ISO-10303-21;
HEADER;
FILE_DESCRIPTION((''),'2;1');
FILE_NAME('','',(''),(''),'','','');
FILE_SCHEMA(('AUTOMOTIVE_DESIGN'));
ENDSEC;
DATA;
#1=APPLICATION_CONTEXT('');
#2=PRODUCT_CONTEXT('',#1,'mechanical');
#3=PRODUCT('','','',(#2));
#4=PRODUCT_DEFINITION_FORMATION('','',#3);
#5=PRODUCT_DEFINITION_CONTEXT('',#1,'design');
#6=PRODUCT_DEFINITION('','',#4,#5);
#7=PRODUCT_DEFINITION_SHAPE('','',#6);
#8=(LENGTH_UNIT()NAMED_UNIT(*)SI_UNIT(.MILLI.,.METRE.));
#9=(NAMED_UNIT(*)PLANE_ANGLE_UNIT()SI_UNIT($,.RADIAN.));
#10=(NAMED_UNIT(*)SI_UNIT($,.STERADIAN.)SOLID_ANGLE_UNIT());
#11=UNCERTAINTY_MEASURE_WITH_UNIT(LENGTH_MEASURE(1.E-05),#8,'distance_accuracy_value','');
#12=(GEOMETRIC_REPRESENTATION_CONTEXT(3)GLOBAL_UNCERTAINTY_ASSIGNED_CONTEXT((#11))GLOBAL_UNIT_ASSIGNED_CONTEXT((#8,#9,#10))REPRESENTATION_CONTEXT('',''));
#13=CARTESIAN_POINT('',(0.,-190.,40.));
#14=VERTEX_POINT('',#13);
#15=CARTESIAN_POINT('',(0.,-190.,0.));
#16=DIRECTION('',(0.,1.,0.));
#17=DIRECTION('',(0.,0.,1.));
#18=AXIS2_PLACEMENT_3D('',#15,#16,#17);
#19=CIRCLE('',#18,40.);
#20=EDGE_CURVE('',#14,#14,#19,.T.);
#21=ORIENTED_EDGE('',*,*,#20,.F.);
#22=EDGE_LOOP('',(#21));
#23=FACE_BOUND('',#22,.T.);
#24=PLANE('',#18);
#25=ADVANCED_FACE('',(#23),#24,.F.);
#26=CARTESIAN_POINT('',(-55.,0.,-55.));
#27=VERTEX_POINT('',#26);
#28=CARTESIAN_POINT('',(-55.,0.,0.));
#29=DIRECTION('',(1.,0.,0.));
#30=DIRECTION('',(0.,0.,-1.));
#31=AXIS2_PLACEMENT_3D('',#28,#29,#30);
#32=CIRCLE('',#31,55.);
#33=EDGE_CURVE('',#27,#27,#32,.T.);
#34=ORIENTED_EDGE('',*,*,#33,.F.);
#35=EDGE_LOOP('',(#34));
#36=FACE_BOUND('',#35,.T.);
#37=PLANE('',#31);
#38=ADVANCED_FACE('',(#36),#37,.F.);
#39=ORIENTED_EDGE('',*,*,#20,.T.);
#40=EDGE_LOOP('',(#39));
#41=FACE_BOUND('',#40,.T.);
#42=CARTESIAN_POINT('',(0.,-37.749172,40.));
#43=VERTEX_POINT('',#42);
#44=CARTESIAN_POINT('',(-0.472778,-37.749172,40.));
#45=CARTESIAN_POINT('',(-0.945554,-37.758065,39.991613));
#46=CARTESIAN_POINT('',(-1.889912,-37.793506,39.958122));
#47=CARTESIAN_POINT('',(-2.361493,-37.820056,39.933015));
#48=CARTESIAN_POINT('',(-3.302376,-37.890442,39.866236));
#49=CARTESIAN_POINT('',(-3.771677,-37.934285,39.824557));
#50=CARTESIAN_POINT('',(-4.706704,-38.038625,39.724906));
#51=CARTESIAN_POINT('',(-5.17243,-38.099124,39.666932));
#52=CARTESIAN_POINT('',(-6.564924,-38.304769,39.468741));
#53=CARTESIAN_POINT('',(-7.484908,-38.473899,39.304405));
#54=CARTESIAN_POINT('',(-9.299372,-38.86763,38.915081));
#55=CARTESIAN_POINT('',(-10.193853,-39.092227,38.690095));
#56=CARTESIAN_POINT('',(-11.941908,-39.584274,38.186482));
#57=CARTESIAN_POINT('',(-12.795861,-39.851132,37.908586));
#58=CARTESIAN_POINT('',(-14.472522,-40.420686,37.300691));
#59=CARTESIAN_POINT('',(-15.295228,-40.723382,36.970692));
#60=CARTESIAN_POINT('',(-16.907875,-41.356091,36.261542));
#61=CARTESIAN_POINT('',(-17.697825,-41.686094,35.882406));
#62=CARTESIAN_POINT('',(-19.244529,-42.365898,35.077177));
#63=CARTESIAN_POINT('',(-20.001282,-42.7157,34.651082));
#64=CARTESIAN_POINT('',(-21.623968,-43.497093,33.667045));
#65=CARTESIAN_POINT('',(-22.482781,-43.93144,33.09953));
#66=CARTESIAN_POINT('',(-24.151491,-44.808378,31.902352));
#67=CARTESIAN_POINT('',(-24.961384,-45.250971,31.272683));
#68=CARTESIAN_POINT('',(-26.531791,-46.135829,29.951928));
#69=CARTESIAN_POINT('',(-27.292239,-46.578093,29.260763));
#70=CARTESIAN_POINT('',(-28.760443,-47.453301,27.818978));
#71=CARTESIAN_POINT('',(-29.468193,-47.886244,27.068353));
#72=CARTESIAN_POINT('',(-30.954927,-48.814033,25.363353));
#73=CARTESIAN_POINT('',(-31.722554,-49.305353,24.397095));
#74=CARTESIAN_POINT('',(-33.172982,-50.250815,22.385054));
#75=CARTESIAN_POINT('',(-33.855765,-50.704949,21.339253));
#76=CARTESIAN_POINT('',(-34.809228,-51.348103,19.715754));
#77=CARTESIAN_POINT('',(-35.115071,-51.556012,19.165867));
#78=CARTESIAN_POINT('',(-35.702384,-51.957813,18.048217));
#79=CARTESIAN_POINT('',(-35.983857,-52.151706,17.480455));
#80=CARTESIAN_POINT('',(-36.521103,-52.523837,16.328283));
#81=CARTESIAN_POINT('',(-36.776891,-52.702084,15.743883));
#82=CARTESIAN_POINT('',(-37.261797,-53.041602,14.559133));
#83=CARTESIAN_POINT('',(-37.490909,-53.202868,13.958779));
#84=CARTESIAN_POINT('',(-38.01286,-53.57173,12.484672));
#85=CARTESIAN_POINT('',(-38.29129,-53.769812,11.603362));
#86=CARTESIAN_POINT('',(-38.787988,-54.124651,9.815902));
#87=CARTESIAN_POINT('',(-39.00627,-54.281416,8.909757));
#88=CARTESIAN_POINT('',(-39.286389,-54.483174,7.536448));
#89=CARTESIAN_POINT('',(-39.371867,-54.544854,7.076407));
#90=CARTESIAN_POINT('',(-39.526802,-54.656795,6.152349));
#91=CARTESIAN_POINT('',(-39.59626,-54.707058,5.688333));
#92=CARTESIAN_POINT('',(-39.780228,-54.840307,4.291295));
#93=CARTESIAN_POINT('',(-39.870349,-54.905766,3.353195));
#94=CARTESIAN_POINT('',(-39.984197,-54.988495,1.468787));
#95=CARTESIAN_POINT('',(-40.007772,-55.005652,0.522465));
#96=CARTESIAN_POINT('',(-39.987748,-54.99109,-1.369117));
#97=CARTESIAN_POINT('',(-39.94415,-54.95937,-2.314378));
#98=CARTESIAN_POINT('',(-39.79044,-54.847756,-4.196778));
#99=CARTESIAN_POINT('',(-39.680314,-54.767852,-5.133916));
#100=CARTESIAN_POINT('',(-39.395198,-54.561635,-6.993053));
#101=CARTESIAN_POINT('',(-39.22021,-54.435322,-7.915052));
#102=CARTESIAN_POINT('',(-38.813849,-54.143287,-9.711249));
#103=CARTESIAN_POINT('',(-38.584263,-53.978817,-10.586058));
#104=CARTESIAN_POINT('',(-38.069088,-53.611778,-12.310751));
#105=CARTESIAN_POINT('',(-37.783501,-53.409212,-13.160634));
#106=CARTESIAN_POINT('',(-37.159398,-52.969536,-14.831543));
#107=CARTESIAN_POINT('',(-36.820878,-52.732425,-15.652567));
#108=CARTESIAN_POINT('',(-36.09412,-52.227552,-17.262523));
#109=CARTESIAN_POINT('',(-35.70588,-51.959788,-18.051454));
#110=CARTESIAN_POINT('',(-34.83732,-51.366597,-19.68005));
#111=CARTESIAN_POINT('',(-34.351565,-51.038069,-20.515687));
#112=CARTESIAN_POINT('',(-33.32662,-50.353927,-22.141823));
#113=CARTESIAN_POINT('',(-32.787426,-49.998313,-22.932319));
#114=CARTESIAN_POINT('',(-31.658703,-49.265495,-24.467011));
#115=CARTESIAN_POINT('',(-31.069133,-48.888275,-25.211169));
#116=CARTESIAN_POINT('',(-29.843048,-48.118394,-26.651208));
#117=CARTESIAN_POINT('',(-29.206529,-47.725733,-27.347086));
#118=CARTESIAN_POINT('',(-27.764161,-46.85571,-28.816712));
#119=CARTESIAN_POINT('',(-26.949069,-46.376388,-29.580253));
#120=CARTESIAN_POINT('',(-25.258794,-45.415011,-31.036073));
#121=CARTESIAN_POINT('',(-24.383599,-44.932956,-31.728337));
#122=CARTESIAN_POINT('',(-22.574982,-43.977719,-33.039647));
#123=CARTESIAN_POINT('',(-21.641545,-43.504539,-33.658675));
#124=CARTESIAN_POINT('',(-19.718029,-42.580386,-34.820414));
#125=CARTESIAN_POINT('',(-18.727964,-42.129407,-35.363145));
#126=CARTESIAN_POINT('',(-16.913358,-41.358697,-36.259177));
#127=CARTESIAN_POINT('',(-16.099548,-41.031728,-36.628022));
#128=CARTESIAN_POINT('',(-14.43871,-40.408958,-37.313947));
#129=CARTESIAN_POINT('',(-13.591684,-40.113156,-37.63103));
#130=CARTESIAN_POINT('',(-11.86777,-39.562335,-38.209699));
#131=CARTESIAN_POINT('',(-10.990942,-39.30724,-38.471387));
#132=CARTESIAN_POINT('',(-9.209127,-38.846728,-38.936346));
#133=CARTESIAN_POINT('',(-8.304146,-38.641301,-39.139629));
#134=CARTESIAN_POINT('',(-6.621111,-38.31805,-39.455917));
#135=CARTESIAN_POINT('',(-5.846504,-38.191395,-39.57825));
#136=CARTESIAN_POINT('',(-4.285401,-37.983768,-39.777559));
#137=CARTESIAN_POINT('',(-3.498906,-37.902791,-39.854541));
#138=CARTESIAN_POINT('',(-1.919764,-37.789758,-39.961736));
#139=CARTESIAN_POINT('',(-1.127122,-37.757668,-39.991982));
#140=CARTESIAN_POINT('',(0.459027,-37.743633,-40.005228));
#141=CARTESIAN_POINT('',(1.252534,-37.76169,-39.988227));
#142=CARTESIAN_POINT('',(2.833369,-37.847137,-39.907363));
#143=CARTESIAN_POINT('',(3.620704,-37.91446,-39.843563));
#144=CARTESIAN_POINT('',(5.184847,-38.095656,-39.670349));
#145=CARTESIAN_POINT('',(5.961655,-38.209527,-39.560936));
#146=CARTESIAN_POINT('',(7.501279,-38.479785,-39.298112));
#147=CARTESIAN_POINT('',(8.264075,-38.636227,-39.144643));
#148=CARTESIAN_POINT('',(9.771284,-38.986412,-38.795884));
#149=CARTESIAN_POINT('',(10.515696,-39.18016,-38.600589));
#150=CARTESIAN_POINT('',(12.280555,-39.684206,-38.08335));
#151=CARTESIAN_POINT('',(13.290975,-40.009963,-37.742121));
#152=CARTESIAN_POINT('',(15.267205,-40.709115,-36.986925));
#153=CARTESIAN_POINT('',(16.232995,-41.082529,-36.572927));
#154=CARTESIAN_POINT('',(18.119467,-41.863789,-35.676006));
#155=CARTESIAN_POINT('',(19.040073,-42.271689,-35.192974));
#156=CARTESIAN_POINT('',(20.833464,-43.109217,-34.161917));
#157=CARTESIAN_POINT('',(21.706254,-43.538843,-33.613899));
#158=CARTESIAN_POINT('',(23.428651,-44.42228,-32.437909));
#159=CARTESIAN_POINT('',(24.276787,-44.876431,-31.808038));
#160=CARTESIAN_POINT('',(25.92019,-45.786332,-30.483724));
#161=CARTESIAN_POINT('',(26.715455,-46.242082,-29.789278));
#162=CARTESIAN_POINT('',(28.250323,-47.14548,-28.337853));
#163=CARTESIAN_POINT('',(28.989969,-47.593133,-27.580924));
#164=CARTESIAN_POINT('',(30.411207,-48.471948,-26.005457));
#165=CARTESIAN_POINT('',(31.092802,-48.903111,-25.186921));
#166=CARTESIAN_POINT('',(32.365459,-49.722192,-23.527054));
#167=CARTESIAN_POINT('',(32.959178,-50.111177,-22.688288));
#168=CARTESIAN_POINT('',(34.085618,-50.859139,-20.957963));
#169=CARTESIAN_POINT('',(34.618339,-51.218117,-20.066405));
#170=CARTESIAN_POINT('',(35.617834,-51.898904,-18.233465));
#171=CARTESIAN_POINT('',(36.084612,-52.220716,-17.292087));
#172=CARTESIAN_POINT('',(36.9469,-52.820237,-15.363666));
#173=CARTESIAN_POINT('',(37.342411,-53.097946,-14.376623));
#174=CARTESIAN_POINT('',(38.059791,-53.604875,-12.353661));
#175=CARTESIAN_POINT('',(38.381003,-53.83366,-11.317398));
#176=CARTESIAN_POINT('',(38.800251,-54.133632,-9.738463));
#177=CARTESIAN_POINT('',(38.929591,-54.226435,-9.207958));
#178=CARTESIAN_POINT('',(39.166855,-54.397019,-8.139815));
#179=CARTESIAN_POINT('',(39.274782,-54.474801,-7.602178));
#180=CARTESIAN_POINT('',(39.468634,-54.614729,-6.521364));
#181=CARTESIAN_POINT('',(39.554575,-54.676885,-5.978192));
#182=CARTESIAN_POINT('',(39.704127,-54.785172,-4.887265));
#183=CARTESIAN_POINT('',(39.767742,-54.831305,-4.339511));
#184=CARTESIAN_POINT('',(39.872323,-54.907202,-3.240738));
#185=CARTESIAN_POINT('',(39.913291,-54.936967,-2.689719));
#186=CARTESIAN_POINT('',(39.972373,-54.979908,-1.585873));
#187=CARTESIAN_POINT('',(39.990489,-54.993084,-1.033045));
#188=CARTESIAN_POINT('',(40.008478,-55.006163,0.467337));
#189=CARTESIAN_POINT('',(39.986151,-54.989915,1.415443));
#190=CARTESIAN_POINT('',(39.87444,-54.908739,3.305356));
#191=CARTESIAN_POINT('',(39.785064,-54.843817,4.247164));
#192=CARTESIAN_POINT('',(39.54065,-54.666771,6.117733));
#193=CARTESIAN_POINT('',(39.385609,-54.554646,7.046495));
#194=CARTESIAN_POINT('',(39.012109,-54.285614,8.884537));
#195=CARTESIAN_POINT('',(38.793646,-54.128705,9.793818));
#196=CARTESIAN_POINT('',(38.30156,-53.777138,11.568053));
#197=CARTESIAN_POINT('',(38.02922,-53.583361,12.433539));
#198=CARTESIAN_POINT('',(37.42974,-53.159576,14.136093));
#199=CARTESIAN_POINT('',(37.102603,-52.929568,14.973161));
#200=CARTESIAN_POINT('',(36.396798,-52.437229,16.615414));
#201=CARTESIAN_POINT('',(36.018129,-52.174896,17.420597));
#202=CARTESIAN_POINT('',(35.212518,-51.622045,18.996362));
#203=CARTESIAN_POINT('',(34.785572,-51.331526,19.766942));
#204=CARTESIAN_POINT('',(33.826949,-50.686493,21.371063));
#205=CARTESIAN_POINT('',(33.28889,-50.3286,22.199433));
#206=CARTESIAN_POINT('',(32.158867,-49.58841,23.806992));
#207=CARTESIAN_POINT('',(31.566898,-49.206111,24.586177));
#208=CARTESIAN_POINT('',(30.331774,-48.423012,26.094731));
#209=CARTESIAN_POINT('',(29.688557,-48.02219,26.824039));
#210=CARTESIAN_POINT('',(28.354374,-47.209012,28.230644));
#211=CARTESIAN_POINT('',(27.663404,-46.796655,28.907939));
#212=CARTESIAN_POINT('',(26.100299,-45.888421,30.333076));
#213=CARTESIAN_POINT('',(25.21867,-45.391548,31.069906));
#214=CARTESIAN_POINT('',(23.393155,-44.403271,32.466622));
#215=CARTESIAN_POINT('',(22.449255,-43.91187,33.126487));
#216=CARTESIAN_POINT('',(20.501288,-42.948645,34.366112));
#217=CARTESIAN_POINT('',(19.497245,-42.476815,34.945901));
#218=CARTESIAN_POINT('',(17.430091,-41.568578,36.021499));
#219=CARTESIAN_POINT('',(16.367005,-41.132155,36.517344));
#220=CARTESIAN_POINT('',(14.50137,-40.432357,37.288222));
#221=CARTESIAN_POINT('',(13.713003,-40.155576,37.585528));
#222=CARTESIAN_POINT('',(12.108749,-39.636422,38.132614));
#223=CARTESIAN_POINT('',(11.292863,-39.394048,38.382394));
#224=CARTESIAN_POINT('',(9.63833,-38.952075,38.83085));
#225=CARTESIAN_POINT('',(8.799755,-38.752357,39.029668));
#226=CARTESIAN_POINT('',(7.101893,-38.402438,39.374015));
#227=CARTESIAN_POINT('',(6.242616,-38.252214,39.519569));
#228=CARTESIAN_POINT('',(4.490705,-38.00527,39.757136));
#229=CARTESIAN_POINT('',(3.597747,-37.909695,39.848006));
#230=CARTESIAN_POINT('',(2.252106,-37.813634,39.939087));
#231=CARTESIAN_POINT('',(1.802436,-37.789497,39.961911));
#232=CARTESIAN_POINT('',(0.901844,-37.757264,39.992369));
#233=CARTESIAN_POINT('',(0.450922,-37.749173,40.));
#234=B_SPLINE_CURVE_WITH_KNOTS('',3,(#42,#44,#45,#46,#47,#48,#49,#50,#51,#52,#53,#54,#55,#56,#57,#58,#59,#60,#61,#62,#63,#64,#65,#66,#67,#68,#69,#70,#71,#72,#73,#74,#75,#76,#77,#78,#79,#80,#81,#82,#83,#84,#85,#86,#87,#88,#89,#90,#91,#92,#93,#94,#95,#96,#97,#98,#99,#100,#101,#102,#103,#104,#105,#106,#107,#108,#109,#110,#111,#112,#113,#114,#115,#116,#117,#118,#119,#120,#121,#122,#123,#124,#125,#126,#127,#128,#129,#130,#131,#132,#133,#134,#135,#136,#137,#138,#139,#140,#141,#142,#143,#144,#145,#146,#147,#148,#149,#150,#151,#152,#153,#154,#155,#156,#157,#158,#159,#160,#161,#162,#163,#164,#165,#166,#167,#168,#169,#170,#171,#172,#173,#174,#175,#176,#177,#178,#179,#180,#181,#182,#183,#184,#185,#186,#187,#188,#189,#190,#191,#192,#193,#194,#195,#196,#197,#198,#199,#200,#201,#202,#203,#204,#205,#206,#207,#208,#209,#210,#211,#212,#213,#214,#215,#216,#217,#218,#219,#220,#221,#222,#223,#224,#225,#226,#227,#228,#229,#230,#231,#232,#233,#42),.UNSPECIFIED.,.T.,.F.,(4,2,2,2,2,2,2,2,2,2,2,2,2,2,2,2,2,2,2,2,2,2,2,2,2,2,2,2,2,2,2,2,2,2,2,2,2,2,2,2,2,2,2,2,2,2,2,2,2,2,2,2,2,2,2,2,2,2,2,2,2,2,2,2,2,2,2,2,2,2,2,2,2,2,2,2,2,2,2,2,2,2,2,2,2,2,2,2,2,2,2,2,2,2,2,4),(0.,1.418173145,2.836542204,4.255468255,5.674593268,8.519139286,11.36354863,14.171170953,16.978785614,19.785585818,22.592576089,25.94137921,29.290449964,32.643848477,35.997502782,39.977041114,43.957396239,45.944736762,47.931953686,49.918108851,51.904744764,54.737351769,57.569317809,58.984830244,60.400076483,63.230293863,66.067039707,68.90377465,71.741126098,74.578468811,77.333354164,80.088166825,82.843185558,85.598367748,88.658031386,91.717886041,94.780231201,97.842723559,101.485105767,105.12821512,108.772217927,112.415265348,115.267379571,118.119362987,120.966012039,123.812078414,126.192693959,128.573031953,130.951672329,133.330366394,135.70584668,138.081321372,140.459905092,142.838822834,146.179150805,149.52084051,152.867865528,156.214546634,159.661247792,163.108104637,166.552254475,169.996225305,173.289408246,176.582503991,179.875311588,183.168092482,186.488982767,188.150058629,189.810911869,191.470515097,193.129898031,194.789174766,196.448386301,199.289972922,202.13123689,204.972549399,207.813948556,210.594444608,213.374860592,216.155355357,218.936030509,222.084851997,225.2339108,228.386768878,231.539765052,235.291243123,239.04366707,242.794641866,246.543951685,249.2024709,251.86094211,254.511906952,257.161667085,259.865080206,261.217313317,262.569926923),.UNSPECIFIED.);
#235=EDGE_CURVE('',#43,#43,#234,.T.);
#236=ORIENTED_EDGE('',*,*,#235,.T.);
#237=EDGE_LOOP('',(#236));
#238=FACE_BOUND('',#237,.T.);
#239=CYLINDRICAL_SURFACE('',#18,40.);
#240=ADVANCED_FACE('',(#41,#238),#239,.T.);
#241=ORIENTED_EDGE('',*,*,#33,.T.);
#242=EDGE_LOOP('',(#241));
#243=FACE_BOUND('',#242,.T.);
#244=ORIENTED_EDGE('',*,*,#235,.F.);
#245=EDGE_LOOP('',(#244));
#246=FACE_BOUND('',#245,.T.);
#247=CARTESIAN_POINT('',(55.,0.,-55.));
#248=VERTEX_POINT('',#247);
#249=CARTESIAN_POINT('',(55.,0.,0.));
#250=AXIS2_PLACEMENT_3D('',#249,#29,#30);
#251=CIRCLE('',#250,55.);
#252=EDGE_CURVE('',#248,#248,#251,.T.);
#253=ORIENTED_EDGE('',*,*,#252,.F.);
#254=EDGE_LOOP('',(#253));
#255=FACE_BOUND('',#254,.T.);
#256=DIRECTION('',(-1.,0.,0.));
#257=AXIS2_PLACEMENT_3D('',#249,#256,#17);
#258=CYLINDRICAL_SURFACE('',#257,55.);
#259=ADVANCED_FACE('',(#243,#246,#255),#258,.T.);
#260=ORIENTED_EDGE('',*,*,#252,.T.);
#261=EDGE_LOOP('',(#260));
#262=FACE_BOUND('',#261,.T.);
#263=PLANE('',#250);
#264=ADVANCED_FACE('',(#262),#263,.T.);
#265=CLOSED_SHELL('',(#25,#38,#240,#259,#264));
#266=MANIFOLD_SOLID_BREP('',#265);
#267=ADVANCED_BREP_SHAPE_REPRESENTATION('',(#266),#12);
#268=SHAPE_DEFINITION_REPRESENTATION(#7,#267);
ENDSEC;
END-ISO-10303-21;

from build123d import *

# Parameters (mm, degrees)
SKETCH2_R           = 40
BOSS_EXTRUDE2_DEPTH = 190
SKETCH3_R           = 55
BOSS_EXTRUDE3_DEPTH = 55


with BuildPart() as part:
    # Sketch2 → Boss-Extrude2 (new body)
    with BuildSketch(Plane(origin=(0, 0, 0), x_dir=(1, 0, 0), z_dir=(0, 1, 0))):
        Circle(SKETCH2_R)
    extrude(amount=-BOSS_EXTRUDE2_DEPTH)

    # Sketch3 → Boss-Extrude3 (add, symmetric)
    with BuildSketch(Plane(origin=(0, 0, 0), x_dir=(0, 0, -1), z_dir=(1, 0, 0))):
        Circle(SKETCH3_R)
    extrude(amount=BOSS_EXTRUDE3_DEPTH, both=True)


solid = part.part
